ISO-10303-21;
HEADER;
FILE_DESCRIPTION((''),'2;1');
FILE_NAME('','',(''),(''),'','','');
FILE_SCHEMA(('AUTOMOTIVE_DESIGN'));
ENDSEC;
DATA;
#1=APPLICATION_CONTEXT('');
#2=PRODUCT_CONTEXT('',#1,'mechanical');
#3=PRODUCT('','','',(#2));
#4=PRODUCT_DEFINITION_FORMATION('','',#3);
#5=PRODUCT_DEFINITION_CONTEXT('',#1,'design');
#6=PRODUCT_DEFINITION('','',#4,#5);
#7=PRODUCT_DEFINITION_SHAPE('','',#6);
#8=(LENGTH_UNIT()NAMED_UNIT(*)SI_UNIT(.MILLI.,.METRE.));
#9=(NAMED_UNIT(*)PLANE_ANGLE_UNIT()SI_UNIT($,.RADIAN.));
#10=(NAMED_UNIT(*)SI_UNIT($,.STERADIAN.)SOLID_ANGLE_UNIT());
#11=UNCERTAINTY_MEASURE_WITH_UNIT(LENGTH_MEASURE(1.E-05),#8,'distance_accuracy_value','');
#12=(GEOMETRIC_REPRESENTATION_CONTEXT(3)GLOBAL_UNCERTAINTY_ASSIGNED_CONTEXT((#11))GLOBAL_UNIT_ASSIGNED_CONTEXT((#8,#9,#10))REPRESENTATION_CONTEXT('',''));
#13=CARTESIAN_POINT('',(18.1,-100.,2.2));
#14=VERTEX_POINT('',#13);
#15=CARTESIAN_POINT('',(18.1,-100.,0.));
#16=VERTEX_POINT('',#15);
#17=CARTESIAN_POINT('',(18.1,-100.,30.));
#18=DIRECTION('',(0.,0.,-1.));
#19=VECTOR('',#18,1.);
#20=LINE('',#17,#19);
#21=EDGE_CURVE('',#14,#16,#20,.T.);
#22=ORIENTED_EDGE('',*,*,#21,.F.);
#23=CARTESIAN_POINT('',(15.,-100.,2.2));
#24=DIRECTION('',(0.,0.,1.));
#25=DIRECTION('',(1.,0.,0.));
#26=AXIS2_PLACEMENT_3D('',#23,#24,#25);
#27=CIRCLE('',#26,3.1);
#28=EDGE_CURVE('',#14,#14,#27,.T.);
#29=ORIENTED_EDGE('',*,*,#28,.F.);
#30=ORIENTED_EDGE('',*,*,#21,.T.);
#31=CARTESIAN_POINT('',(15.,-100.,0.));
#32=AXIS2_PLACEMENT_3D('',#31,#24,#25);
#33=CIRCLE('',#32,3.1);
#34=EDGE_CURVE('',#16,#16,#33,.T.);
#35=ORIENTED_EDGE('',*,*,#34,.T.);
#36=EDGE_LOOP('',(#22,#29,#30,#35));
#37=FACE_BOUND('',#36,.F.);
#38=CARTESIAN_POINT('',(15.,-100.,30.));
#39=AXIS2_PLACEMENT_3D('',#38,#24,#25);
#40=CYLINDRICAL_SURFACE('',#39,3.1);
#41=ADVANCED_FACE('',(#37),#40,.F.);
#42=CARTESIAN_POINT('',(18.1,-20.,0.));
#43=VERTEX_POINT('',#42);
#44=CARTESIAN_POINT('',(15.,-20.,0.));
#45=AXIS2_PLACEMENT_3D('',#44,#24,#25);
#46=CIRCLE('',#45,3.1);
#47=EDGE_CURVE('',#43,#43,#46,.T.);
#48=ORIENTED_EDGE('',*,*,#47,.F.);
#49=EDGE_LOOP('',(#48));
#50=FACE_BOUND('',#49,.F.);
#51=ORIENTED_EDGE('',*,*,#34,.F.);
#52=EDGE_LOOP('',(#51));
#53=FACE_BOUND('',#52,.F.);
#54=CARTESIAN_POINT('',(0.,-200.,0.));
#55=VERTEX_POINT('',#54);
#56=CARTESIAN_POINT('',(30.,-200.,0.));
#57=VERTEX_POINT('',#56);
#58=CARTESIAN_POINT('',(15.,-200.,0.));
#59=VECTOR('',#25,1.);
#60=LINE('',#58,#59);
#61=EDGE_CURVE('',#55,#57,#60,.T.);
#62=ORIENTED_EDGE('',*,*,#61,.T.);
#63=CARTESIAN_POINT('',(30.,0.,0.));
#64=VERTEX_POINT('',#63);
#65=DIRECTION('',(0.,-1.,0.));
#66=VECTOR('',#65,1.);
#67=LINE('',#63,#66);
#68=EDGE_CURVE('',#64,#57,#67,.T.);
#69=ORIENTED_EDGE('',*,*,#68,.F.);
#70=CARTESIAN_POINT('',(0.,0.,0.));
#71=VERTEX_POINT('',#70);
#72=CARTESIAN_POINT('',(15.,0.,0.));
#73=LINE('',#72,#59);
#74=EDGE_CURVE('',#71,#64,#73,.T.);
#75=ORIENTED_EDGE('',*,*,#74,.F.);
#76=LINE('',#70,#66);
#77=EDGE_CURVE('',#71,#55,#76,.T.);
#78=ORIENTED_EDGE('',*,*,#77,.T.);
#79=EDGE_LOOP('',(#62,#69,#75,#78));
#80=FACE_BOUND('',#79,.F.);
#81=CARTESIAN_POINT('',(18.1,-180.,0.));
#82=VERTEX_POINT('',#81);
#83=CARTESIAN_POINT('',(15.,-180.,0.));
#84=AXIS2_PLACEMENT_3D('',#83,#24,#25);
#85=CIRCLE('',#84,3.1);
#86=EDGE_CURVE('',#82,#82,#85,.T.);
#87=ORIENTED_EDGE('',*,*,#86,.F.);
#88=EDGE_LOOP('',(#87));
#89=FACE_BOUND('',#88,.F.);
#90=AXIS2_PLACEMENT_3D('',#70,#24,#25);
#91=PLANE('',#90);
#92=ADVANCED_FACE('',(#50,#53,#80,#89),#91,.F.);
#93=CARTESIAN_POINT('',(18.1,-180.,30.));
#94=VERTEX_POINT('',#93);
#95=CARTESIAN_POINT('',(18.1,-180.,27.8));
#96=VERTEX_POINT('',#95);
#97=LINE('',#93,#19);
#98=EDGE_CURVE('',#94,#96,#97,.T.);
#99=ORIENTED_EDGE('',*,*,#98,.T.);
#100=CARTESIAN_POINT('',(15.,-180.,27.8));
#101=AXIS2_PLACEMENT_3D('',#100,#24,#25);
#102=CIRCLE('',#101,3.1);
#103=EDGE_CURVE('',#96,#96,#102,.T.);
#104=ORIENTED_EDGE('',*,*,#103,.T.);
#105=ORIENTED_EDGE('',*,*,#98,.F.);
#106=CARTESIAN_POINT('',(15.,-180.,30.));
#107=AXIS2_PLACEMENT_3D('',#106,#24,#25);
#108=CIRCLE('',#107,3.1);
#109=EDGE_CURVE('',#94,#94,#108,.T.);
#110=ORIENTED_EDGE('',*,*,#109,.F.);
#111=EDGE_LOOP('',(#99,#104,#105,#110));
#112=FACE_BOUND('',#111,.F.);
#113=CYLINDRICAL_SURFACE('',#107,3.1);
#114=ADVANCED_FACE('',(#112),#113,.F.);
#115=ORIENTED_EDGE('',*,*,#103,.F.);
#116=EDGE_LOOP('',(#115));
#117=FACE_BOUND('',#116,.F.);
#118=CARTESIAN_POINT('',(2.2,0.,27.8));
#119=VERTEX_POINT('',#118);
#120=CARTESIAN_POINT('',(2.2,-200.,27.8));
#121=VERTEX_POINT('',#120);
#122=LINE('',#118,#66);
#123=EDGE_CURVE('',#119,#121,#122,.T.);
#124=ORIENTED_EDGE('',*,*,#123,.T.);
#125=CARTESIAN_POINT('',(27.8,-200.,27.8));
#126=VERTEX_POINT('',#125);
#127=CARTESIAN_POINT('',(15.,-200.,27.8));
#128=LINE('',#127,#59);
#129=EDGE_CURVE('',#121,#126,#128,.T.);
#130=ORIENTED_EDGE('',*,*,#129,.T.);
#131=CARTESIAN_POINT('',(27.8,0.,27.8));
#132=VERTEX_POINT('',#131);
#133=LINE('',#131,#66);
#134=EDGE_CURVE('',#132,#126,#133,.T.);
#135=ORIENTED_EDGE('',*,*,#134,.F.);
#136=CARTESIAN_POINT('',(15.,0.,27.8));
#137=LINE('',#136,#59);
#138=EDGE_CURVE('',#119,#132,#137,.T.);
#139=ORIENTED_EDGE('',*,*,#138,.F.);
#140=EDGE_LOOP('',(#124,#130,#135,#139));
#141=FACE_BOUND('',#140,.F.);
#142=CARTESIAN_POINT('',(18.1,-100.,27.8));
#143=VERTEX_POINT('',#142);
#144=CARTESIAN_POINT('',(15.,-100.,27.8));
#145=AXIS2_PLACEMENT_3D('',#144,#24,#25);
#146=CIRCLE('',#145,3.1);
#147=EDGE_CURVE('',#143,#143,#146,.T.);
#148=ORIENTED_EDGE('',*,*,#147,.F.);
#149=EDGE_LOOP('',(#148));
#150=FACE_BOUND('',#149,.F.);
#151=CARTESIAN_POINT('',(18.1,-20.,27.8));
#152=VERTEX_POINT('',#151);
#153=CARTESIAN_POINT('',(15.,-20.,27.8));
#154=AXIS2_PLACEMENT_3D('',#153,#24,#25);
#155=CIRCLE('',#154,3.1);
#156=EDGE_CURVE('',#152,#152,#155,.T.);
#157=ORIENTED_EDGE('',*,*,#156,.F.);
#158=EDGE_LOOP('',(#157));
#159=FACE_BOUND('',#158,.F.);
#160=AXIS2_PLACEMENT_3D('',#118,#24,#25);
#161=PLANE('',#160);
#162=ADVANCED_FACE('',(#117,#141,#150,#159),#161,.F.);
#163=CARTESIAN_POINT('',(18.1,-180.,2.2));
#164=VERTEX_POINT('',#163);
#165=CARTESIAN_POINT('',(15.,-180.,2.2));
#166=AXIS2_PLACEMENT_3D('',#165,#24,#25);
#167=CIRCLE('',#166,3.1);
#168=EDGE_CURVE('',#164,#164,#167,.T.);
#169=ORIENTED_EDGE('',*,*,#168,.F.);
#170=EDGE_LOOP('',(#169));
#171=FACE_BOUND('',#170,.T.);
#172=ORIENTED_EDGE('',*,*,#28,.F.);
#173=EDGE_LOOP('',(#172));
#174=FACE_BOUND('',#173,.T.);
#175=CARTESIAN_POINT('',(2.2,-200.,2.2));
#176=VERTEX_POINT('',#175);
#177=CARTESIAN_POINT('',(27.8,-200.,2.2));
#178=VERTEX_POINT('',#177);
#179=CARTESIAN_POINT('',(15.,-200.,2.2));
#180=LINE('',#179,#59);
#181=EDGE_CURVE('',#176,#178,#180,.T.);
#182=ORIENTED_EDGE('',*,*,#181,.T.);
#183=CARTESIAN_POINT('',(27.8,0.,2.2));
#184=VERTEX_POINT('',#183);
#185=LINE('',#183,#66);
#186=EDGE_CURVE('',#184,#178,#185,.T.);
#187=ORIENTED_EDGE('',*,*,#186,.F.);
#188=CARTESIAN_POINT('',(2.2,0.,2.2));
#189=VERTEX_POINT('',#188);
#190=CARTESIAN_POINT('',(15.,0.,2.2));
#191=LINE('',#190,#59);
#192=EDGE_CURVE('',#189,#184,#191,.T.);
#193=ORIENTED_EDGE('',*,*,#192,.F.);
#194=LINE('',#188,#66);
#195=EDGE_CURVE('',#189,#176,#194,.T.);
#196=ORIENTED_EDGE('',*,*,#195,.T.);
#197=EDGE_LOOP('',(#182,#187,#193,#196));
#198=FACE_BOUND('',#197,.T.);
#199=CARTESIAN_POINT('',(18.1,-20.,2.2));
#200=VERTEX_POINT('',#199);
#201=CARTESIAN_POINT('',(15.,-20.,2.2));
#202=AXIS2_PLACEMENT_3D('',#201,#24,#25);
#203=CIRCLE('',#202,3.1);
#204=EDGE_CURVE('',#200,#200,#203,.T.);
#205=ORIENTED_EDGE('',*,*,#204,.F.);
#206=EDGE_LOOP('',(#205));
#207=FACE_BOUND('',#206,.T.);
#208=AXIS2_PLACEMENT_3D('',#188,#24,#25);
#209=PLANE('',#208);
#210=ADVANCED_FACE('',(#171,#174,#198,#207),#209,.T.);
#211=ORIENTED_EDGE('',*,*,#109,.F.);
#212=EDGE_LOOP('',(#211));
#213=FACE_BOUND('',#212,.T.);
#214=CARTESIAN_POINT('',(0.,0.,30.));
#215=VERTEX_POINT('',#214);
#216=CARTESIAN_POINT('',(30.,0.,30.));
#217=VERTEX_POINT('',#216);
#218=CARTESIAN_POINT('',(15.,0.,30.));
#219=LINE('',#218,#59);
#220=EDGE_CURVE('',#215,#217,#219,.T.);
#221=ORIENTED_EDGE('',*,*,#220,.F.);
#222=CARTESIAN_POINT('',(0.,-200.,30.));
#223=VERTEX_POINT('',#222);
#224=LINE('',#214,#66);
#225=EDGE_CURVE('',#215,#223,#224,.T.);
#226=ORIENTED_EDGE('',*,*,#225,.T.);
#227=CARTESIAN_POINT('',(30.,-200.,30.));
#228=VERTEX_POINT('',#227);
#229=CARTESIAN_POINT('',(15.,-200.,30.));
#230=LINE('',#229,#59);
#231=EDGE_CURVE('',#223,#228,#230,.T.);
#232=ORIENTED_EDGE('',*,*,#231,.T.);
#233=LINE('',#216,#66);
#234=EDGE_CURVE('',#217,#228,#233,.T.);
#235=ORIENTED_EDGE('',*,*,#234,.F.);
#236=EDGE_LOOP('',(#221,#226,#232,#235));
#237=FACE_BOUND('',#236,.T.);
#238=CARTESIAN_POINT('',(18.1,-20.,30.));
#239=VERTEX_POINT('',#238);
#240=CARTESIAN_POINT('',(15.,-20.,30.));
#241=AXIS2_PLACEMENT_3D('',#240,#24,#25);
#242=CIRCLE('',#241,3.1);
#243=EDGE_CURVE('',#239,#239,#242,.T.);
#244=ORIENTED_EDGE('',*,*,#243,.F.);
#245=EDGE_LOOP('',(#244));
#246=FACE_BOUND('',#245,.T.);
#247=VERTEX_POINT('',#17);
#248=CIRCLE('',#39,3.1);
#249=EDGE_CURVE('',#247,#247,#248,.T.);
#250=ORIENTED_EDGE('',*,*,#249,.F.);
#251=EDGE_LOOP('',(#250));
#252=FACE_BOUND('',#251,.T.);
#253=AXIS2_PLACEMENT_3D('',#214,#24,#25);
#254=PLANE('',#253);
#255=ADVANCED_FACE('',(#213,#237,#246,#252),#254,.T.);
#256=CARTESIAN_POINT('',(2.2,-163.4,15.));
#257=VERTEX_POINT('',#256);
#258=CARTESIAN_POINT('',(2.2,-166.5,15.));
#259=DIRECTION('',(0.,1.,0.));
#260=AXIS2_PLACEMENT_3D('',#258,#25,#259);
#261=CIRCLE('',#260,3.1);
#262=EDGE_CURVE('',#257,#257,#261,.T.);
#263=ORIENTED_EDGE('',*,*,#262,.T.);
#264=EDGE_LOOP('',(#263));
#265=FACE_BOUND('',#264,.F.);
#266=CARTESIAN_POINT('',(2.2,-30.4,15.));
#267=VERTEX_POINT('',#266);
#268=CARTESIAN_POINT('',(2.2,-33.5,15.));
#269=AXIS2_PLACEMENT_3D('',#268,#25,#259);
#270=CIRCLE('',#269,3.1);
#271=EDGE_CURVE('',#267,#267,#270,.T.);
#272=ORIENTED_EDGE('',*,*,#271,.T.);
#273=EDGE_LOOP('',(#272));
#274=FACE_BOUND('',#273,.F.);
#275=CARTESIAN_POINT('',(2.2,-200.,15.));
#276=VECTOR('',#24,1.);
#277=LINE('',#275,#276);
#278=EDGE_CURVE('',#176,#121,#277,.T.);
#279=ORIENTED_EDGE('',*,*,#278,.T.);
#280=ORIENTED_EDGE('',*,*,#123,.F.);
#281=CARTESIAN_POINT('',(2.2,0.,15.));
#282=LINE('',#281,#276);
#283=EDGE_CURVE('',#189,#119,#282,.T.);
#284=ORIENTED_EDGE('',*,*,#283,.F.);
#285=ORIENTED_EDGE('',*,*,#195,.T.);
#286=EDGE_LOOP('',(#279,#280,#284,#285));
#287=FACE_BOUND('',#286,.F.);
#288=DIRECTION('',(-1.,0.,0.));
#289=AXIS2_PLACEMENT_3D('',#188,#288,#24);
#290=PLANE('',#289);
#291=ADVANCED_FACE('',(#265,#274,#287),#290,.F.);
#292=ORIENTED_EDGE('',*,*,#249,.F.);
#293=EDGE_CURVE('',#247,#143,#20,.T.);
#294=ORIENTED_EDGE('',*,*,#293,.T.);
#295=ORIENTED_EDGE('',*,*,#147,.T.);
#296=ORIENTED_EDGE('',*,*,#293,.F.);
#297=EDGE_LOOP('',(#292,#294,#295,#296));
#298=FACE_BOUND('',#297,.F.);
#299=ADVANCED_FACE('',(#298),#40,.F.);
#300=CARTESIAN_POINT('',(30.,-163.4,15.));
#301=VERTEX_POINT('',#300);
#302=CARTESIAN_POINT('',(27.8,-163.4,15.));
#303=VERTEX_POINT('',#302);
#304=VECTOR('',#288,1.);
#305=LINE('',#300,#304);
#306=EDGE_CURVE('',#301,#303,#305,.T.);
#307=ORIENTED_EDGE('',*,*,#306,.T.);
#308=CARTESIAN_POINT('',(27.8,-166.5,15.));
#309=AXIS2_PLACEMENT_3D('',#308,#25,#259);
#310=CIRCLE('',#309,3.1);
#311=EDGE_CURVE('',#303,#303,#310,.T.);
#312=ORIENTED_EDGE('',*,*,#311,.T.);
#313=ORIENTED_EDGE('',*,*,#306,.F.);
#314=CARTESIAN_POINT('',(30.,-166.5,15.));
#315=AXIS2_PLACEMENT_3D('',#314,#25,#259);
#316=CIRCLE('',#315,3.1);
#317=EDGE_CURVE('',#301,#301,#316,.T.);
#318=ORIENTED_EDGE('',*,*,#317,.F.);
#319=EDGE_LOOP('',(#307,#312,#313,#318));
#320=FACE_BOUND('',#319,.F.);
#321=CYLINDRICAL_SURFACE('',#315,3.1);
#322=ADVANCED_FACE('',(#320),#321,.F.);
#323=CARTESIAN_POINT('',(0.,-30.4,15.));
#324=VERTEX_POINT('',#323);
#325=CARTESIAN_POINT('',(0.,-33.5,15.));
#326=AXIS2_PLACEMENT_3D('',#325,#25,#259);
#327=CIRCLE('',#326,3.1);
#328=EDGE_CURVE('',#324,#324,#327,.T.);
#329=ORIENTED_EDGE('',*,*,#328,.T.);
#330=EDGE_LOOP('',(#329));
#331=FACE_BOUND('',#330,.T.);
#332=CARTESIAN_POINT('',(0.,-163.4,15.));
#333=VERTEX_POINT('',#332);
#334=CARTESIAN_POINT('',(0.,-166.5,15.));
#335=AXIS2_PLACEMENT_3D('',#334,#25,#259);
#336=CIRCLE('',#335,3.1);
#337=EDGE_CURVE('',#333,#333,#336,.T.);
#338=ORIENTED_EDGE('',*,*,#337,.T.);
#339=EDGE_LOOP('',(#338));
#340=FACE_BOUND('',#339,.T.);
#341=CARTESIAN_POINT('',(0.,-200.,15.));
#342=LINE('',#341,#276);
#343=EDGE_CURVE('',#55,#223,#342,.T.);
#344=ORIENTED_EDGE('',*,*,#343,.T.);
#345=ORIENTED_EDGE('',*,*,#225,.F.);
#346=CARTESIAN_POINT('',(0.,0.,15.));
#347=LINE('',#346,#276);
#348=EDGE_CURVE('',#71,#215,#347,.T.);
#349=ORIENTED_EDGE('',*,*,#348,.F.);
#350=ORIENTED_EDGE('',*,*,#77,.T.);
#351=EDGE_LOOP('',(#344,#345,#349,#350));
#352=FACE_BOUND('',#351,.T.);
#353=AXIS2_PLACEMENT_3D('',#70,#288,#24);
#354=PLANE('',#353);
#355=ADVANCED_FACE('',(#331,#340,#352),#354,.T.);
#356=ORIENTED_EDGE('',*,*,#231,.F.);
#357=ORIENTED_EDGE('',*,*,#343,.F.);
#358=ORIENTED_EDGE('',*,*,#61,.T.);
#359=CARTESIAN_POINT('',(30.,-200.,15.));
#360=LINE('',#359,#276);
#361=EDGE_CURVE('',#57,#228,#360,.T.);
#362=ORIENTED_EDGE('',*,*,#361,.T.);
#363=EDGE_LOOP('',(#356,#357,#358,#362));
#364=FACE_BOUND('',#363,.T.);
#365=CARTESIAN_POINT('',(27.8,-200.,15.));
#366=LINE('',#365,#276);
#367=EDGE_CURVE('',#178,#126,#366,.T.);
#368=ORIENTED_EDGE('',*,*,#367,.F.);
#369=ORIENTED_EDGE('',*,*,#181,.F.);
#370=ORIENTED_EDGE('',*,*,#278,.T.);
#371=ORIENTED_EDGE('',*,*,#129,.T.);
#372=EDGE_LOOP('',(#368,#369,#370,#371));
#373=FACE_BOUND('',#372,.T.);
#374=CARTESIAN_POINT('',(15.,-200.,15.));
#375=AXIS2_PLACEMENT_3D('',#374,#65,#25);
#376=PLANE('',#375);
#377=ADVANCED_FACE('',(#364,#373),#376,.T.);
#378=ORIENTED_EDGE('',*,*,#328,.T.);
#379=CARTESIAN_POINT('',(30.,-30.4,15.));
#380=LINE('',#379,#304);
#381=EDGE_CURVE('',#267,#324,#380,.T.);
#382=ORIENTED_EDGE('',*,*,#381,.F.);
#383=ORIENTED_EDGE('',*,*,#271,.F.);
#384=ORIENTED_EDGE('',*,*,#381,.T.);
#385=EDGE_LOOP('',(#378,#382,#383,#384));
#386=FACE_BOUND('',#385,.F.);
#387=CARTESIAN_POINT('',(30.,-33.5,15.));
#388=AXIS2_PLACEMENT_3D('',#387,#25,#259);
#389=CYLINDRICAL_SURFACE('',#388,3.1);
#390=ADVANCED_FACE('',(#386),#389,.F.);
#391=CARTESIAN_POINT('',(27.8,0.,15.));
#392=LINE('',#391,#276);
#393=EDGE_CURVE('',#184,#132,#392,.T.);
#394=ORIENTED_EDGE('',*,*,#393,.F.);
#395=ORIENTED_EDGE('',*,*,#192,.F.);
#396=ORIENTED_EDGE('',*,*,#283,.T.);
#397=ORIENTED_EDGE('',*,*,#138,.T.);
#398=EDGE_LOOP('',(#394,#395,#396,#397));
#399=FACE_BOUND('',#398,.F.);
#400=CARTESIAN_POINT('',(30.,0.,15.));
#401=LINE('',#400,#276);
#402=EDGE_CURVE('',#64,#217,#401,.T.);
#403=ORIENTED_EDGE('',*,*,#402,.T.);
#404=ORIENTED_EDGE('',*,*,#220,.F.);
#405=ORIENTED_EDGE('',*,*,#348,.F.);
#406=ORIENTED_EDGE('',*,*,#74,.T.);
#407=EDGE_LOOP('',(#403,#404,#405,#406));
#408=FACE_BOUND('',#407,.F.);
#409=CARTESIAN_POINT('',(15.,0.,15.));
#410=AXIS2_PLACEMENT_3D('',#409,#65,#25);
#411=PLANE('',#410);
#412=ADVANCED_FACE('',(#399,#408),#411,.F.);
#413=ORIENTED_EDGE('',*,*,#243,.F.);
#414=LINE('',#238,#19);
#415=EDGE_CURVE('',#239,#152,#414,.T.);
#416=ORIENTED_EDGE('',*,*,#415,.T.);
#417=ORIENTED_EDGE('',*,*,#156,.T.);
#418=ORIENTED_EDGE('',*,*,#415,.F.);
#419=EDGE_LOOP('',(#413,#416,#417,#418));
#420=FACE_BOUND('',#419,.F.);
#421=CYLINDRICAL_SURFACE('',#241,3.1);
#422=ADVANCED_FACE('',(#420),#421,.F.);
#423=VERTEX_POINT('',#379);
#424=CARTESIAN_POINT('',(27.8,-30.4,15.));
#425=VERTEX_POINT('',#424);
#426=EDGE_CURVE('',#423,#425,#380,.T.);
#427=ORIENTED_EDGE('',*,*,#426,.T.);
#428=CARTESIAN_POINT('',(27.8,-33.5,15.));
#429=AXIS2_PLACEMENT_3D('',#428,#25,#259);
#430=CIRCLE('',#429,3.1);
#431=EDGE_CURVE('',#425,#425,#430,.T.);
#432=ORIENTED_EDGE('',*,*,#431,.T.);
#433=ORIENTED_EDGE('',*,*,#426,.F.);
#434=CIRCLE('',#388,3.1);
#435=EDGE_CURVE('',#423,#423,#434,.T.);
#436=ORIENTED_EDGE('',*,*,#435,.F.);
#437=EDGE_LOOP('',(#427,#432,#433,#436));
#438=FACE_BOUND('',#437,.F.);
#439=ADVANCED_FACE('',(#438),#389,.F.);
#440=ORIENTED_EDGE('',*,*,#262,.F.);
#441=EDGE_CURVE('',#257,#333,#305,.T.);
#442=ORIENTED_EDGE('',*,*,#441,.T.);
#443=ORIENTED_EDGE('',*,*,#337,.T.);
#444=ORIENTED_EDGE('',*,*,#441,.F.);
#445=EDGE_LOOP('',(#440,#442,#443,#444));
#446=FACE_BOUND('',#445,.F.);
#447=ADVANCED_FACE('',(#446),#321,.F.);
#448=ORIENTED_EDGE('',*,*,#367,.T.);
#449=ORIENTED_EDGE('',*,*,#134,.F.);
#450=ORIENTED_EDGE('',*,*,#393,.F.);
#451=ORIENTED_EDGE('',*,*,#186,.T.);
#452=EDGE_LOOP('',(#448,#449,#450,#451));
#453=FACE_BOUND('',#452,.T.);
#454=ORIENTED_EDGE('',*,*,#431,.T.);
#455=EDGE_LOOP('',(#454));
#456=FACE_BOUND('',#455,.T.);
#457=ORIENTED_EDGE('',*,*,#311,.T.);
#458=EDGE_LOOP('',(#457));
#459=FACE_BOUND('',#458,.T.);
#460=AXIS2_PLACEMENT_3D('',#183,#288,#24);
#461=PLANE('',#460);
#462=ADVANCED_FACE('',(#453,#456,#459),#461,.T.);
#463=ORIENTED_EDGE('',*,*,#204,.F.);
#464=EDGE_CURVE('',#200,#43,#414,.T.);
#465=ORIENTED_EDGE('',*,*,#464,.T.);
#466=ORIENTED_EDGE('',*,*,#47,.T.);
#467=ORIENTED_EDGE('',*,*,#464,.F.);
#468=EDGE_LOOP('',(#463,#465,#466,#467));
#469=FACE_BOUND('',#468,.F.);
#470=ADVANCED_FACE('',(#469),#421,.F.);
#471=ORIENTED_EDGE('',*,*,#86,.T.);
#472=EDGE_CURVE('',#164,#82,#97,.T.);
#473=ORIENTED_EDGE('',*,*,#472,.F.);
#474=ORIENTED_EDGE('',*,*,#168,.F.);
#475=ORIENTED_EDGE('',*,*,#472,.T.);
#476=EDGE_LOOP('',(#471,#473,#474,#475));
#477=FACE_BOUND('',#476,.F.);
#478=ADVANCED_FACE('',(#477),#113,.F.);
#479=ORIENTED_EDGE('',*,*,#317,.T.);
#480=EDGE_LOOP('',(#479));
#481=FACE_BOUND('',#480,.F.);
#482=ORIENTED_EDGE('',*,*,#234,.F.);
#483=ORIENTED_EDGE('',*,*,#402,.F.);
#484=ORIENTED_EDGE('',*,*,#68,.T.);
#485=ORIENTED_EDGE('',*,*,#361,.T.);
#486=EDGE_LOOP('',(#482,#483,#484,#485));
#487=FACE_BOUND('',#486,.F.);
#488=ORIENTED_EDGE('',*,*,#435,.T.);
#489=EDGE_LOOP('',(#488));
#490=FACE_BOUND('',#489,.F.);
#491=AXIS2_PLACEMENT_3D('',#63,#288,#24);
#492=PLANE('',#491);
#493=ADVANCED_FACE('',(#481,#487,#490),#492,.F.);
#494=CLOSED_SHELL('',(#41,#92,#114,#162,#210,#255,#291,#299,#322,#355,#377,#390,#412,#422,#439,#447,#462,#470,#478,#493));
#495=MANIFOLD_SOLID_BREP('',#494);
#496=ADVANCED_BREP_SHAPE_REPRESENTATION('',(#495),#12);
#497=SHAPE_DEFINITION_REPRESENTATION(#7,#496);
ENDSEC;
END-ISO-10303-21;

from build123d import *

# Parameters (mm, degrees)
F0_W     = 30
F0_H     = 30
F0_W_2   = 25.6
F0_H_2   = 25.6
F1_DEPTH = 200
F2_R     = 3.1
F3_DEPTH = 35
F4_R     = 3.1
F5_DEPTH = 35


with BuildPart() as f1:
    # F0 (on Front) → F1 (new body)
    with BuildSketch(Plane.XZ):
        with Locations((15, 15)):
            Rectangle(F0_W, F0_H)
        with Locations((15, 15)):
            Rectangle(F0_W_2, F0_H_2, mode=Mode.SUBTRACT)
    extrude(amount=F1_DEPTH)

    # F2 (on face) → F3 (cut)
    with BuildSketch(Plane.XY.offset(30)):
        with Locations((15, -20)):
            Circle(F2_R)
        with Locations((15, -100)):
            Circle(F2_R)
        with Locations((15, -180)):
            Circle(F2_R)
    extrude(amount=-F3_DEPTH, mode=Mode.SUBTRACT)

    # F4 (on face) → F5 (cut)
    with BuildSketch(Plane.YZ.offset(30)):
        with Locations((-166.5, 15)):
            Circle(F4_R)
        with Locations((-33.5, 15)):
            Circle(F4_R)
    extrude(amount=-F5_DEPTH, mode=Mode.SUBTRACT)


solid = f1.part
